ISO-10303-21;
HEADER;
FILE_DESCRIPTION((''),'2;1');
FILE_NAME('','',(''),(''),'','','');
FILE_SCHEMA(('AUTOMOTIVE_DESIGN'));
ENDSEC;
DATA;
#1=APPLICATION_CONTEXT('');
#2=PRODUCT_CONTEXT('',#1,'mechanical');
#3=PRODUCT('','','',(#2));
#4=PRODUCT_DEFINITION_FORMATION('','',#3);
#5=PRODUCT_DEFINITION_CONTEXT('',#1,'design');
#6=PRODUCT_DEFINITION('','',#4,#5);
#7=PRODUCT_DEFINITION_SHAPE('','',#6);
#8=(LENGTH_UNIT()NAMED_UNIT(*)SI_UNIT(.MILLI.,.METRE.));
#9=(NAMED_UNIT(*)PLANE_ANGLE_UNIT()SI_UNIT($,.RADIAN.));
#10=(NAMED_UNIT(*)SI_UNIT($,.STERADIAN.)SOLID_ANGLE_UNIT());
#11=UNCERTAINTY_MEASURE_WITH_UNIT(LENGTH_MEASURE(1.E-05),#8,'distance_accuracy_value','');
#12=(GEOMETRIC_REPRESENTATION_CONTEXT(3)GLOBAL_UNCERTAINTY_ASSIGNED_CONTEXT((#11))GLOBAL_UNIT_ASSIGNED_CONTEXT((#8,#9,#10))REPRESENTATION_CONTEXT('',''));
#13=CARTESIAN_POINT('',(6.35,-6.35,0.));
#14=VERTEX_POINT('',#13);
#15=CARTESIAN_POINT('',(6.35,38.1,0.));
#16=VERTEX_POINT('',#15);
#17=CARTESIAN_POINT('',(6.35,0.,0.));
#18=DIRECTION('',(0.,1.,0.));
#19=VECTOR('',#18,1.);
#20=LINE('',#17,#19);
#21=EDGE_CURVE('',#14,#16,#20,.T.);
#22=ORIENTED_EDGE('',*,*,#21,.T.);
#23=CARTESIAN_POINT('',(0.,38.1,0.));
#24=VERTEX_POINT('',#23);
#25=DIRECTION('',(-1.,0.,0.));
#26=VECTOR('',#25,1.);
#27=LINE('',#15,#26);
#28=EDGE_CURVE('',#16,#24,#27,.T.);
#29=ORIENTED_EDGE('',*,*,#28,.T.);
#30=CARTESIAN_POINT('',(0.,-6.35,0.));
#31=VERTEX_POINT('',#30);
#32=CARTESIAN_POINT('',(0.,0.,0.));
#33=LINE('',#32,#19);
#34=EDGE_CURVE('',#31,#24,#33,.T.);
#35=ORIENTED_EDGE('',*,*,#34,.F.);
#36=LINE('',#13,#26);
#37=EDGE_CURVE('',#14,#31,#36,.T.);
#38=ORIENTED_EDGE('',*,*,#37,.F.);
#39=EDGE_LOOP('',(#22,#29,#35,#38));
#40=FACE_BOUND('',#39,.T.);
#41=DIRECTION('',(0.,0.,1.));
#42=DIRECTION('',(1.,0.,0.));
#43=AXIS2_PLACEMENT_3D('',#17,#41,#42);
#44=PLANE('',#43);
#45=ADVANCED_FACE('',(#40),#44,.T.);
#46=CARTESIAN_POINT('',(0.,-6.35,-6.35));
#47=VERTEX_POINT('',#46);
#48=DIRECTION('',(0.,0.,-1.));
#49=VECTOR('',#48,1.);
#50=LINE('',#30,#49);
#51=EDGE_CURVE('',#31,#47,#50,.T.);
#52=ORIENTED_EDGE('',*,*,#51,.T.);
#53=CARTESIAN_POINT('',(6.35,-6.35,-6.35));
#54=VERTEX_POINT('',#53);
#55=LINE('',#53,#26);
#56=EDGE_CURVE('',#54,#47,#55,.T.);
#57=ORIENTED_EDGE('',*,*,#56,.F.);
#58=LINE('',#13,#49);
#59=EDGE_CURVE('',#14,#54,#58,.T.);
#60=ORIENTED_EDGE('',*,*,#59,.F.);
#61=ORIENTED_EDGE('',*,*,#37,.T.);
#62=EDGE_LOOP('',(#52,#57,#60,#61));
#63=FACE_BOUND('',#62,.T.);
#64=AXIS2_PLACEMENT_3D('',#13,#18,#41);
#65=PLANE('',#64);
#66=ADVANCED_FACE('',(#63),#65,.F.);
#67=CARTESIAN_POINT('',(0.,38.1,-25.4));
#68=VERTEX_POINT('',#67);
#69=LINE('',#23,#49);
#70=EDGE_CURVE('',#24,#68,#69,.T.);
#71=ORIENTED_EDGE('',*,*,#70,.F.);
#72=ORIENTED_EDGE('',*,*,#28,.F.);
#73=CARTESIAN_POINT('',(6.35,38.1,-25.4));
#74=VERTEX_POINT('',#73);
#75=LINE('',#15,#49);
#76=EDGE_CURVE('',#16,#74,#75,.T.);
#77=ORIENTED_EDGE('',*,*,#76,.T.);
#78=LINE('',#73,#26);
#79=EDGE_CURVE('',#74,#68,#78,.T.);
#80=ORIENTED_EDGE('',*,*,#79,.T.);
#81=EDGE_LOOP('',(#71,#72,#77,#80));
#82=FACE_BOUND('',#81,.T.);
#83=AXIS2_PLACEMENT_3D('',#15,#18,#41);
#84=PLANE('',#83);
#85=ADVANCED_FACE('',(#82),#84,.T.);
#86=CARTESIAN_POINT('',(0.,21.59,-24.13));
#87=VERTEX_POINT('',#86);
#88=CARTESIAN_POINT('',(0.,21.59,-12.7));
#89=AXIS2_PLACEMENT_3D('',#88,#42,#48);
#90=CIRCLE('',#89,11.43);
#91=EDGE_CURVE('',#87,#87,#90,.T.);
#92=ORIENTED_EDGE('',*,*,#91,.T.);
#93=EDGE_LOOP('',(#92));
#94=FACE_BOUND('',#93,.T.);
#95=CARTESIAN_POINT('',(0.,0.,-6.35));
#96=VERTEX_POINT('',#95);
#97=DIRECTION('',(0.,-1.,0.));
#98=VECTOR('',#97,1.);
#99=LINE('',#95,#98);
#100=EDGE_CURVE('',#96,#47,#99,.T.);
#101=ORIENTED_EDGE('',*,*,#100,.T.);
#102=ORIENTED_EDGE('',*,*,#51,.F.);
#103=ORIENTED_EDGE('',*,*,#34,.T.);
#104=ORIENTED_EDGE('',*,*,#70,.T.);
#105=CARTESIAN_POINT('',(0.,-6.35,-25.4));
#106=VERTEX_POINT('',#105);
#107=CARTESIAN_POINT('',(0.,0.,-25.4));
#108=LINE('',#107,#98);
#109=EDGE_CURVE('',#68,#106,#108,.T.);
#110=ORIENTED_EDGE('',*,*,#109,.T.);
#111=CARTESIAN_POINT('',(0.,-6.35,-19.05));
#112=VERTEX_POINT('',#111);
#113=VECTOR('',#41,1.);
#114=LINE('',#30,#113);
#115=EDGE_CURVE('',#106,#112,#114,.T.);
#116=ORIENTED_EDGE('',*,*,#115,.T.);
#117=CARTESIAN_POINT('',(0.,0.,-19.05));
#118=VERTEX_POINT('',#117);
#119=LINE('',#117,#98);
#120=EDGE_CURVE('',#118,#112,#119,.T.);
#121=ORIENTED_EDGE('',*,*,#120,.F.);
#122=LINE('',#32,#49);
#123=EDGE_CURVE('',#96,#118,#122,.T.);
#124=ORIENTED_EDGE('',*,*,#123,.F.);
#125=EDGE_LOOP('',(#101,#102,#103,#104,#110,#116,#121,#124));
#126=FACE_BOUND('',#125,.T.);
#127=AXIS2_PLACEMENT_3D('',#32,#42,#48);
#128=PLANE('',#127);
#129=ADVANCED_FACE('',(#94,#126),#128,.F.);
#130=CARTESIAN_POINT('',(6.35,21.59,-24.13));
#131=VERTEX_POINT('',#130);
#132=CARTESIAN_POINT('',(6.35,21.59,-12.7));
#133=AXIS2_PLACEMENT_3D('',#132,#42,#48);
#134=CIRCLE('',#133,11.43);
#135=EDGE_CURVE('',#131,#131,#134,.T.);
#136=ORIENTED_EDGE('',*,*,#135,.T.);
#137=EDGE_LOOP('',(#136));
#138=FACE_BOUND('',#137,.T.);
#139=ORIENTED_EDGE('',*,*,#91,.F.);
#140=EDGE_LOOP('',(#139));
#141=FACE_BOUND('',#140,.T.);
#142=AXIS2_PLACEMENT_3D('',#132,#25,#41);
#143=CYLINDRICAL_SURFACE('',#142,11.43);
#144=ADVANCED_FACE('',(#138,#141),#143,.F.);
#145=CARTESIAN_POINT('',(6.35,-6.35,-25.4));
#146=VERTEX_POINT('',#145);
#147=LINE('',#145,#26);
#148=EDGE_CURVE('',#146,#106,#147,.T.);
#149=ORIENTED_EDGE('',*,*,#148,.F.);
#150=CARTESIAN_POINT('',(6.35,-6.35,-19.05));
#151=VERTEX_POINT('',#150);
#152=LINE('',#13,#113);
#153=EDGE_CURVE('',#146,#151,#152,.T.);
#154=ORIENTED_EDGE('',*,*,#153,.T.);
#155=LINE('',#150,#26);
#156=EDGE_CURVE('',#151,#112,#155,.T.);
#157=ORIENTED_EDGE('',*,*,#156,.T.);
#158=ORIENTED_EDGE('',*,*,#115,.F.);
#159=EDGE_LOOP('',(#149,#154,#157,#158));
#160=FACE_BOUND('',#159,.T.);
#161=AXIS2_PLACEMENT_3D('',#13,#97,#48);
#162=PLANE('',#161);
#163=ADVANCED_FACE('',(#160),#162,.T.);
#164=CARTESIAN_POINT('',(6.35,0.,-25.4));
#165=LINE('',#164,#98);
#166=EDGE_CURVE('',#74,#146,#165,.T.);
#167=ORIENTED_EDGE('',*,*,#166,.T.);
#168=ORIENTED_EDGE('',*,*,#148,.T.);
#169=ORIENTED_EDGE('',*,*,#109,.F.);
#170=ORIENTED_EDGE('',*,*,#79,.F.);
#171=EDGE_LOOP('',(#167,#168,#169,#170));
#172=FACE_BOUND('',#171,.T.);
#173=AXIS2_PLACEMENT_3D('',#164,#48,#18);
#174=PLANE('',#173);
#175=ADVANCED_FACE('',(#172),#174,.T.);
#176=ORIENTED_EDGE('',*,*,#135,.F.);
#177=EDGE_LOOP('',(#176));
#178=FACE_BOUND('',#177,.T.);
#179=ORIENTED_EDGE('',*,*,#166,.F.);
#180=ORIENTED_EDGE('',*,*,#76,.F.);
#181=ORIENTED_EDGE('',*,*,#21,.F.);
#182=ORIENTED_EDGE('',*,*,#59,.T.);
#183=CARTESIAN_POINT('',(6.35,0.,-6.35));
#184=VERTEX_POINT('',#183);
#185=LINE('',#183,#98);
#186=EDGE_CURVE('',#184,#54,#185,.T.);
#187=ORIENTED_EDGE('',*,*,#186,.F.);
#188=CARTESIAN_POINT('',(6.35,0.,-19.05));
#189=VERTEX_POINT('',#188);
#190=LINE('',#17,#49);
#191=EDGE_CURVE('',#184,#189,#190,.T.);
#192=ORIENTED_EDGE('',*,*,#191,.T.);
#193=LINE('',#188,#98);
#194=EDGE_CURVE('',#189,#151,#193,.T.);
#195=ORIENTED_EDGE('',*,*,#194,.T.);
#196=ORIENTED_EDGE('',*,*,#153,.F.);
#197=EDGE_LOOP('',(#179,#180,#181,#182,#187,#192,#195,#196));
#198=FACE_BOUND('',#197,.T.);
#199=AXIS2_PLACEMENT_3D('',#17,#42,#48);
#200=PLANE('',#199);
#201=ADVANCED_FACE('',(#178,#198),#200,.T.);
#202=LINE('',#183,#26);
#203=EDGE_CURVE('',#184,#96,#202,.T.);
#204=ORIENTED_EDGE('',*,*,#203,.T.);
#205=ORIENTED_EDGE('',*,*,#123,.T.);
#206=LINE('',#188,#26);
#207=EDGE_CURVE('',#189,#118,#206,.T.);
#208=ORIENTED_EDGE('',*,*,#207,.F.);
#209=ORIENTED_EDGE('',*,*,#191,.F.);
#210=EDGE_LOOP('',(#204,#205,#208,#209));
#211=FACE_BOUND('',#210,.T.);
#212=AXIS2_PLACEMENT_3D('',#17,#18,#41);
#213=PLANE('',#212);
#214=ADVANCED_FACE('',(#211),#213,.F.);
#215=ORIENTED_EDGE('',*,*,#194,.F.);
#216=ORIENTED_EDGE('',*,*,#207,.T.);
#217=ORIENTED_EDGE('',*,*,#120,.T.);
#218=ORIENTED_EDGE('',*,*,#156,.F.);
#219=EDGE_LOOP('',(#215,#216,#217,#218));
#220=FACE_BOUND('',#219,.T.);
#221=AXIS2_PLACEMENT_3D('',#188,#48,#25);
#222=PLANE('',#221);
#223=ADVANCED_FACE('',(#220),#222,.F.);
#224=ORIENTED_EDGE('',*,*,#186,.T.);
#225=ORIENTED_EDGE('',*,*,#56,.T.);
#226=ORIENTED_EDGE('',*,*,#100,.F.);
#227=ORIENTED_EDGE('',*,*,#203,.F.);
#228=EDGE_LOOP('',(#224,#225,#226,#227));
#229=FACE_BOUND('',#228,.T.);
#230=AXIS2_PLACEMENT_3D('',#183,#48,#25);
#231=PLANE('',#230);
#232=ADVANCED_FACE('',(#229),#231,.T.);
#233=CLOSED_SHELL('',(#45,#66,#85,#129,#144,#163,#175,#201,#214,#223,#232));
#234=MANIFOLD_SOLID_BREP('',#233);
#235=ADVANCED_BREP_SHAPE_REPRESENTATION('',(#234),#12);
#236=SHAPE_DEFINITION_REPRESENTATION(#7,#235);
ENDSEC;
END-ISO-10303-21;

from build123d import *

# Parameters (mm, degrees)
SKETCH1_W           = 6.35
SKETCH1_H           = 6.35
BOSS_EXTRUDE1_DEPTH = 6.35


with BuildPart() as part:
    # Sketch1 → Boss-Extrude1 (new body)
    with BuildSketch(Plane(origin=(0, 0, 0), x_dir=(0, 0, -1), z_dir=(1, 0, 0))):
        with Locations((22.225, -3.175)):
            Rectangle(SKETCH1_W, SKETCH1_H)
        with BuildLine():
            Line((25.4, 38.1), (12.7, 38.1))
            Line((12.7, 38.1), (12.7, 33.02))
            ThreePointArc((12.7, 33.02), (20.782230509, 29.672230509), (24.13, 21.59))
            ThreePointArc((24.13, 21.59), (20.782230509, 13.507769491), (12.7, 10.16))
            Line((12.7, 10.16), (12.7, 0))
            Line((12.7, 0), (19.05, 0))
            Line((19.05, 0), (25.4, 0))
            Line((25.4, 0), (25.4, 38.1))
        make_face()
        with BuildLine():
            Line((12.7, 33.02), (12.7, 38.1))
            Line((12.7, 38.1), (0, 38.1))
            Line((0, 38.1), (0, 0))
            Line((0, 0), (6.35, 0))
            Line((6.35, 0), (12.7, 0))
            Line((12.7, 0), (12.7, 10.16))
            ThreePointArc((12.7, 10.16), (1.27, 21.59), (12.7, 33.02))
        make_face()
        with Locations((3.175, -3.175)):
            Rectangle(SKETCH1_W, SKETCH1_H)
    extrude(amount=BOSS_EXTRUDE1_DEPTH)


solid = part.part
